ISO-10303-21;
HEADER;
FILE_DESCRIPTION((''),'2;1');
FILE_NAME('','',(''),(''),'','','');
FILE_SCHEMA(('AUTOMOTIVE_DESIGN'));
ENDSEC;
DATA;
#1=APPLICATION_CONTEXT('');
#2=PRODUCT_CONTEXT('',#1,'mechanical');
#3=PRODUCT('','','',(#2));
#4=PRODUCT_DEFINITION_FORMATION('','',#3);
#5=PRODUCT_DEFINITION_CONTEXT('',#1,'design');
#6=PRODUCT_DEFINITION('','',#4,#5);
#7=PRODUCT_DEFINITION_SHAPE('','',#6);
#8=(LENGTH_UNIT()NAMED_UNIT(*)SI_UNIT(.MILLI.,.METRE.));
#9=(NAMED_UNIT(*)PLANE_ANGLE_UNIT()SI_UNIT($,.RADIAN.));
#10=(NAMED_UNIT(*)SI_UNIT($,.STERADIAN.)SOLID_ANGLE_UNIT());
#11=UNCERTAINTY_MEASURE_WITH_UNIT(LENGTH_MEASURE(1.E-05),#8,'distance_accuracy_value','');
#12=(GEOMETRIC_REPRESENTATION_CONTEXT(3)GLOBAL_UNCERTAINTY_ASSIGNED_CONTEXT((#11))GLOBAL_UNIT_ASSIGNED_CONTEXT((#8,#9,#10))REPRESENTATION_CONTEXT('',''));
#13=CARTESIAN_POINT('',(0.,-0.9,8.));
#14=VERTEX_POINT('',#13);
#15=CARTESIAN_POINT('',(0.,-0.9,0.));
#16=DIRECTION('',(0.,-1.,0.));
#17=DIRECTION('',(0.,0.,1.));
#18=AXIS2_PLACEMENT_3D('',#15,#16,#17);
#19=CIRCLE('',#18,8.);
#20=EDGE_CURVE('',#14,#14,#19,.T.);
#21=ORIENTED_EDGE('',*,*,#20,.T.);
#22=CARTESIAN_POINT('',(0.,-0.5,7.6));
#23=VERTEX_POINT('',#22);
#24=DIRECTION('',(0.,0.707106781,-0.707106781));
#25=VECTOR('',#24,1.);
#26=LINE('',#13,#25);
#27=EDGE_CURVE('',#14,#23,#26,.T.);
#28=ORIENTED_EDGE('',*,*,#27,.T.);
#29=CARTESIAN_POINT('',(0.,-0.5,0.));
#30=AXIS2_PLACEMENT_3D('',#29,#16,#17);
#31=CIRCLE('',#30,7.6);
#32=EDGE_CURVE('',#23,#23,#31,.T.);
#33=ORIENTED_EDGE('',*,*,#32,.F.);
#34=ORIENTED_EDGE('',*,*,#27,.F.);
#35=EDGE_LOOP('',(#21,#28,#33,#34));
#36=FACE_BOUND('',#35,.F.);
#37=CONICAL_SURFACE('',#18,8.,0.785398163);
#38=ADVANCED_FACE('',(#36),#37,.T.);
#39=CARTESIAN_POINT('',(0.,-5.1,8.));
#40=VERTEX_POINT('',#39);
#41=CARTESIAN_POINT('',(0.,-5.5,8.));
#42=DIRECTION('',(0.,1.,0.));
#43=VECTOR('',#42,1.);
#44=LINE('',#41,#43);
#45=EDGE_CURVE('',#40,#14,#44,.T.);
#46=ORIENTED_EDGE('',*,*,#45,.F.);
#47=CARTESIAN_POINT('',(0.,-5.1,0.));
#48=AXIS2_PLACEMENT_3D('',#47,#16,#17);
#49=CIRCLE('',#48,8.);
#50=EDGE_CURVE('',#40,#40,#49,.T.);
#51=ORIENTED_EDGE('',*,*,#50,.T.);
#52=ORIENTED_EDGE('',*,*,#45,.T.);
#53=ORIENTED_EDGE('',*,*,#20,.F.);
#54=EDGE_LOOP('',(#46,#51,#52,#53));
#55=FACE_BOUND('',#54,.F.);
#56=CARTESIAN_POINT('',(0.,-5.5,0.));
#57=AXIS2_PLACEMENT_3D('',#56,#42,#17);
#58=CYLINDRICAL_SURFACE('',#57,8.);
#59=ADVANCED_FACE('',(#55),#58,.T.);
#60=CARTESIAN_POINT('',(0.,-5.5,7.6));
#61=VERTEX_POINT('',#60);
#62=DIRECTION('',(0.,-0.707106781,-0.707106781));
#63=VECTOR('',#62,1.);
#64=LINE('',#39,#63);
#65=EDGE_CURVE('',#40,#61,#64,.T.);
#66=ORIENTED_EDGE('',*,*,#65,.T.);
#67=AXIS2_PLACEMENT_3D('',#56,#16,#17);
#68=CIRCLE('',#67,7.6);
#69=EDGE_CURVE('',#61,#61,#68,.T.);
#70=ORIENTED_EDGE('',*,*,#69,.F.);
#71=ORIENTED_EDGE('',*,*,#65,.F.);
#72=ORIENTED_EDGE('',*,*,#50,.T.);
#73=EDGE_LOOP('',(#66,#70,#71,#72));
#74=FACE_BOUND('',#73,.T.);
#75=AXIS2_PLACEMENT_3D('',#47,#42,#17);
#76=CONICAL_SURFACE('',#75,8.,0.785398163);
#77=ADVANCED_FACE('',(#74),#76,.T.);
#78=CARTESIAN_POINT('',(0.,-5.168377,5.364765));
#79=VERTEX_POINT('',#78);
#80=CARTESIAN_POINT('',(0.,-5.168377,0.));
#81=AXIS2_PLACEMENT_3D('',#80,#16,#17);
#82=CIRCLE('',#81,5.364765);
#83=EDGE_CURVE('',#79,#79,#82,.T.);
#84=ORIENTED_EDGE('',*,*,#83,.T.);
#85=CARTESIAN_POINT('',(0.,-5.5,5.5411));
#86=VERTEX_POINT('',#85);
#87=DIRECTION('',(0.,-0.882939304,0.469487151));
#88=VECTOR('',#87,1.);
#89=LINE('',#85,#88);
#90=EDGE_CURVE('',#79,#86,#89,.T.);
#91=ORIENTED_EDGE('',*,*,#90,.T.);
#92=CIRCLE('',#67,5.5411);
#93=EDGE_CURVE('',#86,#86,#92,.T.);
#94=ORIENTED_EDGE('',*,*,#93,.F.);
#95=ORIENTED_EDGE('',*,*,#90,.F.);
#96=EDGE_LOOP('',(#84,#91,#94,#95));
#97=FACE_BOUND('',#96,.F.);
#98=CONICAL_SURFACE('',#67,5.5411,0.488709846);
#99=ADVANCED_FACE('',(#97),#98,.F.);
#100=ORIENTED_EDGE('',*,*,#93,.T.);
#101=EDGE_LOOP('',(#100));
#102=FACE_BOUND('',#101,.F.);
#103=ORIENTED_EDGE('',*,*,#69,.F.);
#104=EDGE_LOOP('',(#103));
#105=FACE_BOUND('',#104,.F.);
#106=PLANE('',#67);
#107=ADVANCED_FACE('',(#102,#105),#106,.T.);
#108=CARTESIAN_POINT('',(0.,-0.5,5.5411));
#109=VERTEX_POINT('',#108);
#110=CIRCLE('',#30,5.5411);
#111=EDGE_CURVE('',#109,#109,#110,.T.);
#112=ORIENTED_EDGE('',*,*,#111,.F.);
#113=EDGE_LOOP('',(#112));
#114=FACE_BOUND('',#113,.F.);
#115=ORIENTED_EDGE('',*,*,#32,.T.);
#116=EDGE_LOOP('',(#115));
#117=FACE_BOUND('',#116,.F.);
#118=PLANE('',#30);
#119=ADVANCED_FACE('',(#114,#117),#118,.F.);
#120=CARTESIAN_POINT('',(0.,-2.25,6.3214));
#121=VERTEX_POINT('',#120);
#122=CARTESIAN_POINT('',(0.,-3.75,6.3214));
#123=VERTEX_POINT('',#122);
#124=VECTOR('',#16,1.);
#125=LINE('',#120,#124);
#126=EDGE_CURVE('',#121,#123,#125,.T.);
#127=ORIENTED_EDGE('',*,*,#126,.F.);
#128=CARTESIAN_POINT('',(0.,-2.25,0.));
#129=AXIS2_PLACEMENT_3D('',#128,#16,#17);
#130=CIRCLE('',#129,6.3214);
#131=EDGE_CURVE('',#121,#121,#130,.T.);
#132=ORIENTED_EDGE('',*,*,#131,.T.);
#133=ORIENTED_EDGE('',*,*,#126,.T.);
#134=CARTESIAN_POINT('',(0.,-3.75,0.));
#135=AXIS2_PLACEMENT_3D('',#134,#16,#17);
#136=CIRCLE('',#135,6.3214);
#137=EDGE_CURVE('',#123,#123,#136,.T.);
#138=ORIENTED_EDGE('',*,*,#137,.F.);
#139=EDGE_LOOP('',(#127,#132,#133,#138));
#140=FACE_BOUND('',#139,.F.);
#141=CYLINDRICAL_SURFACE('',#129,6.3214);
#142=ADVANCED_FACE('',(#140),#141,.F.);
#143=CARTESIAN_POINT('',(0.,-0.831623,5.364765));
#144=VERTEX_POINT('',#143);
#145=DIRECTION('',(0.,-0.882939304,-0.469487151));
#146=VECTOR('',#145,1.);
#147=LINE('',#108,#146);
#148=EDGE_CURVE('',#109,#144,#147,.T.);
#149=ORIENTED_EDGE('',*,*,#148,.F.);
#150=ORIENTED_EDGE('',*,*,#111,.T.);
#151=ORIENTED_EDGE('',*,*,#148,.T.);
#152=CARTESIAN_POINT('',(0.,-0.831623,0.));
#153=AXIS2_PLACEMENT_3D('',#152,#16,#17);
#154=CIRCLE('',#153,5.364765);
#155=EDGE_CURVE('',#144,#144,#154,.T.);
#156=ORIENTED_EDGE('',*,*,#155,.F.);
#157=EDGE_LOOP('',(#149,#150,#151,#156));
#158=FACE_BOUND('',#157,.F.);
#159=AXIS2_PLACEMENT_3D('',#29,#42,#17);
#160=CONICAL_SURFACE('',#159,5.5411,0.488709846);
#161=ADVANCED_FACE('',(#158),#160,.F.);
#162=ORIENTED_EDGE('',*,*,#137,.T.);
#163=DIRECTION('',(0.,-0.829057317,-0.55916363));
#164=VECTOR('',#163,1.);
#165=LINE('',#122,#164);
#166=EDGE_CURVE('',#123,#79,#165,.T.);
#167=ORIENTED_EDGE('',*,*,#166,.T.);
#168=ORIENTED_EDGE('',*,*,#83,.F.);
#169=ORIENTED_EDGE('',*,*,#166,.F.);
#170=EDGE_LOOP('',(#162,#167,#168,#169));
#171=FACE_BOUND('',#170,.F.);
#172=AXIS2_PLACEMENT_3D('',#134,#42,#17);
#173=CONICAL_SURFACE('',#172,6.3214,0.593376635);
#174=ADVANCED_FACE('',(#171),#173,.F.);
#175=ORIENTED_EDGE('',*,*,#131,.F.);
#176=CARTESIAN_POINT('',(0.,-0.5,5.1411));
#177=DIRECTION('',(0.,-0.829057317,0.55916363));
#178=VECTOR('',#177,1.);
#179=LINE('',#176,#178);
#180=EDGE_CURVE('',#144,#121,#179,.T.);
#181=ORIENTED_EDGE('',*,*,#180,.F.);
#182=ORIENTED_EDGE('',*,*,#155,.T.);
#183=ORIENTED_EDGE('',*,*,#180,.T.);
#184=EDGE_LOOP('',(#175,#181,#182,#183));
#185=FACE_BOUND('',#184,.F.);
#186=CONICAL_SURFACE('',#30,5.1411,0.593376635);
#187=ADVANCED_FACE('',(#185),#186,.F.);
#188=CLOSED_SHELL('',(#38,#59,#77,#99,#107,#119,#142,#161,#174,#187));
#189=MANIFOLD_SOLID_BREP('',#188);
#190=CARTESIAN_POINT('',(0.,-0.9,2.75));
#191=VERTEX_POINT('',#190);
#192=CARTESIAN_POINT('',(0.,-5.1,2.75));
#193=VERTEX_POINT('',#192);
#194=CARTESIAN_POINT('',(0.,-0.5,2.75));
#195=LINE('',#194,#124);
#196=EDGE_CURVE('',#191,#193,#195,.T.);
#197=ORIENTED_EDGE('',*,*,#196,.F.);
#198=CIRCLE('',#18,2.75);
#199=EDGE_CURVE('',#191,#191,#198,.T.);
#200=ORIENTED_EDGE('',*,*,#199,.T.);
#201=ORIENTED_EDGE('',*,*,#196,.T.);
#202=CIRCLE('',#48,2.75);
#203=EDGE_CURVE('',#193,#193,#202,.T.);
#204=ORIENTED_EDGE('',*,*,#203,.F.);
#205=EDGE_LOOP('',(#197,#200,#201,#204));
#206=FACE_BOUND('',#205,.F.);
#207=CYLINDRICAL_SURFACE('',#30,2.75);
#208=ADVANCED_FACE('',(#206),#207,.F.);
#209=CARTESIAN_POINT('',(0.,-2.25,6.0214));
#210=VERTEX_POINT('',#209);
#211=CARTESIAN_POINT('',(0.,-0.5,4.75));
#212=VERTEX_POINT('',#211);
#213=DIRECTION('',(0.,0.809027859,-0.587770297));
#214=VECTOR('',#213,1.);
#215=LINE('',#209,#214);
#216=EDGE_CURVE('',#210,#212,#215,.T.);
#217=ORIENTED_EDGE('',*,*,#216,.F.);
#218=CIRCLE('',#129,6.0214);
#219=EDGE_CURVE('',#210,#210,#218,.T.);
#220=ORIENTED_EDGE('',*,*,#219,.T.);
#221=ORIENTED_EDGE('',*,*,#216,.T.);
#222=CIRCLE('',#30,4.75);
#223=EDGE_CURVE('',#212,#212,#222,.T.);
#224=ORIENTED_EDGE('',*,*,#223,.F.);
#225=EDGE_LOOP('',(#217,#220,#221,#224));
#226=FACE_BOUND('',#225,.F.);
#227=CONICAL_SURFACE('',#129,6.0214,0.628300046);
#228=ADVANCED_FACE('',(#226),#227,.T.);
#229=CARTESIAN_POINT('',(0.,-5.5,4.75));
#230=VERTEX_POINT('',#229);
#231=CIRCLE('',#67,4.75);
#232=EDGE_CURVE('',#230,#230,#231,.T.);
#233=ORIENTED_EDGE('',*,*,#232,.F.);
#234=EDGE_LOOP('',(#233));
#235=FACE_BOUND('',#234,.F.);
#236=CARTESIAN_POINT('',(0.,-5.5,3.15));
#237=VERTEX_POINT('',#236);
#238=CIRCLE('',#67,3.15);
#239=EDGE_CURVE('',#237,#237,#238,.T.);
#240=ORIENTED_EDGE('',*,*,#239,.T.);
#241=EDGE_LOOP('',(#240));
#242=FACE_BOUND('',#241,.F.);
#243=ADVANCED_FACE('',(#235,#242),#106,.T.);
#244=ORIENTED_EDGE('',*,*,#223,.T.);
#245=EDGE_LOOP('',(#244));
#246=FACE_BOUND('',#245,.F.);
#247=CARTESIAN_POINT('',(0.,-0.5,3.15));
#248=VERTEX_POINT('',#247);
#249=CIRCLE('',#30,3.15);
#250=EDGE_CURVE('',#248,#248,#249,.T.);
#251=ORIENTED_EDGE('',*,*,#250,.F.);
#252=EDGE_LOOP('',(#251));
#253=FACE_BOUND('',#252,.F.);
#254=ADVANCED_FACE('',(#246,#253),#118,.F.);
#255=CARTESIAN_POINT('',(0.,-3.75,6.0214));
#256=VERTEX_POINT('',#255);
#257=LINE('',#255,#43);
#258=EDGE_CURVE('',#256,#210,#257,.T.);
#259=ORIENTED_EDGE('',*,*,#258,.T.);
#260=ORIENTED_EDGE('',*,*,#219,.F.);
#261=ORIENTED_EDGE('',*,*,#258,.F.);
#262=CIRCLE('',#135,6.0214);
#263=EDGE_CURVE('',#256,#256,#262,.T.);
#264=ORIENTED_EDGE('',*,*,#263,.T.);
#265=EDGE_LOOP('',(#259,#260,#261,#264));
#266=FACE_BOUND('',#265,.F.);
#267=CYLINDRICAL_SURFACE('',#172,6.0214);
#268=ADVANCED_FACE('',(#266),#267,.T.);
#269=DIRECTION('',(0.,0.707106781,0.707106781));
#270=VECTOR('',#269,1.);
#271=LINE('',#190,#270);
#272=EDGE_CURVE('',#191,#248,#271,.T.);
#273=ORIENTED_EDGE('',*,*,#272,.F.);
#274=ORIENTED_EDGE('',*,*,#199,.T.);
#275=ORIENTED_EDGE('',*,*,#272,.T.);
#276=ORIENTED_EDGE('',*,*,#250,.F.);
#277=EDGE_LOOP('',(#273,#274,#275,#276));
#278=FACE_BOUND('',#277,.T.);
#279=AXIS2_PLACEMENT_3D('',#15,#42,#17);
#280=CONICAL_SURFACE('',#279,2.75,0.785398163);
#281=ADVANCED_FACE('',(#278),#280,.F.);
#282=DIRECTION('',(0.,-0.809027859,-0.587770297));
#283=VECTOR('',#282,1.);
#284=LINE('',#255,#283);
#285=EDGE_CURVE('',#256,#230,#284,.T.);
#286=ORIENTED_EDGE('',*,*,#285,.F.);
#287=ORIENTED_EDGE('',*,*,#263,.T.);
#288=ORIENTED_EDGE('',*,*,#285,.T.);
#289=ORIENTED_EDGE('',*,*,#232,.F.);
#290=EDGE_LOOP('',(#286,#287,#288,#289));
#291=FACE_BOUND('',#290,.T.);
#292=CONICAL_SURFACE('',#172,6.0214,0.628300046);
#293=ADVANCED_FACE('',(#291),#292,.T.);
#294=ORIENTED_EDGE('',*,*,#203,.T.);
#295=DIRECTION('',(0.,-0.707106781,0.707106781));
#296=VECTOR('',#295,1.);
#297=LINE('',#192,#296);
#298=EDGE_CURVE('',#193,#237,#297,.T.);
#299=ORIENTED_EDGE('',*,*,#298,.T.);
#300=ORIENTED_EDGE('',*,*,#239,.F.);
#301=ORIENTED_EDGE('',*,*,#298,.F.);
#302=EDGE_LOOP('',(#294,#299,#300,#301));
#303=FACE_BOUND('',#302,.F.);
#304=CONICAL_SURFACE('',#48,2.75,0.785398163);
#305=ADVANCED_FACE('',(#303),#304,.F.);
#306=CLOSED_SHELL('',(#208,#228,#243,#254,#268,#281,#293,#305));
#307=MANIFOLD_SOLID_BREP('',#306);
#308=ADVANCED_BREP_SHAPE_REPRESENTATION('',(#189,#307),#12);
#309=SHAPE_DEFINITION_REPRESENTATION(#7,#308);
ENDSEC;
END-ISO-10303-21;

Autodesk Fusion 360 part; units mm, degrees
sketch "Skizze1" plane through (0, 0, 0) normal (1, 0, 0) x (0, 0, -1)
  line L0 (-2.75, -0.5) -> (-2.75, -5.5)
  line L1 (-8, -5.5) -> (-8, -0.5)
  line L2 (-5.1411, -0.5) -> (-6.3214, -2.25)
  line L3 (-6.3214, -2.25) -> (-6.3214, -3.75)
  line L4 (-6.3214, -3.75) -> (-5.1411, -5.5)
  line L5 (-6.0214, -3.75) -> (-6.0214, -2.25)
  line L6 (-6.0214, -2.25) -> (-4.75, -0.5)
  line L7 (-2.75, -5.5) -> (-4.75, -5.5)
  line L8 (-5.1411, -5.5) -> (-8, -5.5)
  line L9 (-8, -0.5) -> (-5.1411, -0.5)
  line L10 (-4.75, -0.5) -> (-2.75, -0.5)
  line L11 (-6.0214, -3.75) -> (-4.75, -5.5)
  line L12 (0, 0) -> (0, -7.2054)
  dimension "d2" = 2.75
  dimension "d3" = 5
  dimension "d4" = 8
  dimension "d5" = 1.5
  dimension "d6" = 1.5
  dimension "d7" = 1.75
  dimension "d8" = 1.75
  dimension "d9" = 56
  dimension "d10" = 56
  dimension "d11" = 0.3
  dimension "d12" = 54
  dimension "d14" = 54
  dimension "d15" = 1.5714
  dimension "d20" = 2
revolve "Drehen1" add sketch "Skizze1" angle 360 about axis through (0, 0, 0) along (0, -1, 0) makes body 1 at (0.3988, -3.8333, 7.9901) makes body 2 at (0.2738, -2.1667, 2.7363)
chamfer "Fase1" distance 0.4 angle 45 6 edges at (-2.5639, -0.5, 0.9944) (-2.5639, -5.5, 0.9944) (-4.7932, -0.5, 1.8591) (-7.4586, -0.5, 2.8929) (-7.4586, -5.5, 2.8929) (-4.7932, -5.5, 1.8591) on bodies 1 2
equation "d2 = ( 5.5 / 2 ) * 1 mm"
equation "d4 = ( 16 / 2 ) * 1 mm"
equation "d6 = d5"
equation "d7 = ( d3 - d5 ) / 2"
equation "d8 = d7"
equation "d10 = d9"
equation "d14 = d12"
